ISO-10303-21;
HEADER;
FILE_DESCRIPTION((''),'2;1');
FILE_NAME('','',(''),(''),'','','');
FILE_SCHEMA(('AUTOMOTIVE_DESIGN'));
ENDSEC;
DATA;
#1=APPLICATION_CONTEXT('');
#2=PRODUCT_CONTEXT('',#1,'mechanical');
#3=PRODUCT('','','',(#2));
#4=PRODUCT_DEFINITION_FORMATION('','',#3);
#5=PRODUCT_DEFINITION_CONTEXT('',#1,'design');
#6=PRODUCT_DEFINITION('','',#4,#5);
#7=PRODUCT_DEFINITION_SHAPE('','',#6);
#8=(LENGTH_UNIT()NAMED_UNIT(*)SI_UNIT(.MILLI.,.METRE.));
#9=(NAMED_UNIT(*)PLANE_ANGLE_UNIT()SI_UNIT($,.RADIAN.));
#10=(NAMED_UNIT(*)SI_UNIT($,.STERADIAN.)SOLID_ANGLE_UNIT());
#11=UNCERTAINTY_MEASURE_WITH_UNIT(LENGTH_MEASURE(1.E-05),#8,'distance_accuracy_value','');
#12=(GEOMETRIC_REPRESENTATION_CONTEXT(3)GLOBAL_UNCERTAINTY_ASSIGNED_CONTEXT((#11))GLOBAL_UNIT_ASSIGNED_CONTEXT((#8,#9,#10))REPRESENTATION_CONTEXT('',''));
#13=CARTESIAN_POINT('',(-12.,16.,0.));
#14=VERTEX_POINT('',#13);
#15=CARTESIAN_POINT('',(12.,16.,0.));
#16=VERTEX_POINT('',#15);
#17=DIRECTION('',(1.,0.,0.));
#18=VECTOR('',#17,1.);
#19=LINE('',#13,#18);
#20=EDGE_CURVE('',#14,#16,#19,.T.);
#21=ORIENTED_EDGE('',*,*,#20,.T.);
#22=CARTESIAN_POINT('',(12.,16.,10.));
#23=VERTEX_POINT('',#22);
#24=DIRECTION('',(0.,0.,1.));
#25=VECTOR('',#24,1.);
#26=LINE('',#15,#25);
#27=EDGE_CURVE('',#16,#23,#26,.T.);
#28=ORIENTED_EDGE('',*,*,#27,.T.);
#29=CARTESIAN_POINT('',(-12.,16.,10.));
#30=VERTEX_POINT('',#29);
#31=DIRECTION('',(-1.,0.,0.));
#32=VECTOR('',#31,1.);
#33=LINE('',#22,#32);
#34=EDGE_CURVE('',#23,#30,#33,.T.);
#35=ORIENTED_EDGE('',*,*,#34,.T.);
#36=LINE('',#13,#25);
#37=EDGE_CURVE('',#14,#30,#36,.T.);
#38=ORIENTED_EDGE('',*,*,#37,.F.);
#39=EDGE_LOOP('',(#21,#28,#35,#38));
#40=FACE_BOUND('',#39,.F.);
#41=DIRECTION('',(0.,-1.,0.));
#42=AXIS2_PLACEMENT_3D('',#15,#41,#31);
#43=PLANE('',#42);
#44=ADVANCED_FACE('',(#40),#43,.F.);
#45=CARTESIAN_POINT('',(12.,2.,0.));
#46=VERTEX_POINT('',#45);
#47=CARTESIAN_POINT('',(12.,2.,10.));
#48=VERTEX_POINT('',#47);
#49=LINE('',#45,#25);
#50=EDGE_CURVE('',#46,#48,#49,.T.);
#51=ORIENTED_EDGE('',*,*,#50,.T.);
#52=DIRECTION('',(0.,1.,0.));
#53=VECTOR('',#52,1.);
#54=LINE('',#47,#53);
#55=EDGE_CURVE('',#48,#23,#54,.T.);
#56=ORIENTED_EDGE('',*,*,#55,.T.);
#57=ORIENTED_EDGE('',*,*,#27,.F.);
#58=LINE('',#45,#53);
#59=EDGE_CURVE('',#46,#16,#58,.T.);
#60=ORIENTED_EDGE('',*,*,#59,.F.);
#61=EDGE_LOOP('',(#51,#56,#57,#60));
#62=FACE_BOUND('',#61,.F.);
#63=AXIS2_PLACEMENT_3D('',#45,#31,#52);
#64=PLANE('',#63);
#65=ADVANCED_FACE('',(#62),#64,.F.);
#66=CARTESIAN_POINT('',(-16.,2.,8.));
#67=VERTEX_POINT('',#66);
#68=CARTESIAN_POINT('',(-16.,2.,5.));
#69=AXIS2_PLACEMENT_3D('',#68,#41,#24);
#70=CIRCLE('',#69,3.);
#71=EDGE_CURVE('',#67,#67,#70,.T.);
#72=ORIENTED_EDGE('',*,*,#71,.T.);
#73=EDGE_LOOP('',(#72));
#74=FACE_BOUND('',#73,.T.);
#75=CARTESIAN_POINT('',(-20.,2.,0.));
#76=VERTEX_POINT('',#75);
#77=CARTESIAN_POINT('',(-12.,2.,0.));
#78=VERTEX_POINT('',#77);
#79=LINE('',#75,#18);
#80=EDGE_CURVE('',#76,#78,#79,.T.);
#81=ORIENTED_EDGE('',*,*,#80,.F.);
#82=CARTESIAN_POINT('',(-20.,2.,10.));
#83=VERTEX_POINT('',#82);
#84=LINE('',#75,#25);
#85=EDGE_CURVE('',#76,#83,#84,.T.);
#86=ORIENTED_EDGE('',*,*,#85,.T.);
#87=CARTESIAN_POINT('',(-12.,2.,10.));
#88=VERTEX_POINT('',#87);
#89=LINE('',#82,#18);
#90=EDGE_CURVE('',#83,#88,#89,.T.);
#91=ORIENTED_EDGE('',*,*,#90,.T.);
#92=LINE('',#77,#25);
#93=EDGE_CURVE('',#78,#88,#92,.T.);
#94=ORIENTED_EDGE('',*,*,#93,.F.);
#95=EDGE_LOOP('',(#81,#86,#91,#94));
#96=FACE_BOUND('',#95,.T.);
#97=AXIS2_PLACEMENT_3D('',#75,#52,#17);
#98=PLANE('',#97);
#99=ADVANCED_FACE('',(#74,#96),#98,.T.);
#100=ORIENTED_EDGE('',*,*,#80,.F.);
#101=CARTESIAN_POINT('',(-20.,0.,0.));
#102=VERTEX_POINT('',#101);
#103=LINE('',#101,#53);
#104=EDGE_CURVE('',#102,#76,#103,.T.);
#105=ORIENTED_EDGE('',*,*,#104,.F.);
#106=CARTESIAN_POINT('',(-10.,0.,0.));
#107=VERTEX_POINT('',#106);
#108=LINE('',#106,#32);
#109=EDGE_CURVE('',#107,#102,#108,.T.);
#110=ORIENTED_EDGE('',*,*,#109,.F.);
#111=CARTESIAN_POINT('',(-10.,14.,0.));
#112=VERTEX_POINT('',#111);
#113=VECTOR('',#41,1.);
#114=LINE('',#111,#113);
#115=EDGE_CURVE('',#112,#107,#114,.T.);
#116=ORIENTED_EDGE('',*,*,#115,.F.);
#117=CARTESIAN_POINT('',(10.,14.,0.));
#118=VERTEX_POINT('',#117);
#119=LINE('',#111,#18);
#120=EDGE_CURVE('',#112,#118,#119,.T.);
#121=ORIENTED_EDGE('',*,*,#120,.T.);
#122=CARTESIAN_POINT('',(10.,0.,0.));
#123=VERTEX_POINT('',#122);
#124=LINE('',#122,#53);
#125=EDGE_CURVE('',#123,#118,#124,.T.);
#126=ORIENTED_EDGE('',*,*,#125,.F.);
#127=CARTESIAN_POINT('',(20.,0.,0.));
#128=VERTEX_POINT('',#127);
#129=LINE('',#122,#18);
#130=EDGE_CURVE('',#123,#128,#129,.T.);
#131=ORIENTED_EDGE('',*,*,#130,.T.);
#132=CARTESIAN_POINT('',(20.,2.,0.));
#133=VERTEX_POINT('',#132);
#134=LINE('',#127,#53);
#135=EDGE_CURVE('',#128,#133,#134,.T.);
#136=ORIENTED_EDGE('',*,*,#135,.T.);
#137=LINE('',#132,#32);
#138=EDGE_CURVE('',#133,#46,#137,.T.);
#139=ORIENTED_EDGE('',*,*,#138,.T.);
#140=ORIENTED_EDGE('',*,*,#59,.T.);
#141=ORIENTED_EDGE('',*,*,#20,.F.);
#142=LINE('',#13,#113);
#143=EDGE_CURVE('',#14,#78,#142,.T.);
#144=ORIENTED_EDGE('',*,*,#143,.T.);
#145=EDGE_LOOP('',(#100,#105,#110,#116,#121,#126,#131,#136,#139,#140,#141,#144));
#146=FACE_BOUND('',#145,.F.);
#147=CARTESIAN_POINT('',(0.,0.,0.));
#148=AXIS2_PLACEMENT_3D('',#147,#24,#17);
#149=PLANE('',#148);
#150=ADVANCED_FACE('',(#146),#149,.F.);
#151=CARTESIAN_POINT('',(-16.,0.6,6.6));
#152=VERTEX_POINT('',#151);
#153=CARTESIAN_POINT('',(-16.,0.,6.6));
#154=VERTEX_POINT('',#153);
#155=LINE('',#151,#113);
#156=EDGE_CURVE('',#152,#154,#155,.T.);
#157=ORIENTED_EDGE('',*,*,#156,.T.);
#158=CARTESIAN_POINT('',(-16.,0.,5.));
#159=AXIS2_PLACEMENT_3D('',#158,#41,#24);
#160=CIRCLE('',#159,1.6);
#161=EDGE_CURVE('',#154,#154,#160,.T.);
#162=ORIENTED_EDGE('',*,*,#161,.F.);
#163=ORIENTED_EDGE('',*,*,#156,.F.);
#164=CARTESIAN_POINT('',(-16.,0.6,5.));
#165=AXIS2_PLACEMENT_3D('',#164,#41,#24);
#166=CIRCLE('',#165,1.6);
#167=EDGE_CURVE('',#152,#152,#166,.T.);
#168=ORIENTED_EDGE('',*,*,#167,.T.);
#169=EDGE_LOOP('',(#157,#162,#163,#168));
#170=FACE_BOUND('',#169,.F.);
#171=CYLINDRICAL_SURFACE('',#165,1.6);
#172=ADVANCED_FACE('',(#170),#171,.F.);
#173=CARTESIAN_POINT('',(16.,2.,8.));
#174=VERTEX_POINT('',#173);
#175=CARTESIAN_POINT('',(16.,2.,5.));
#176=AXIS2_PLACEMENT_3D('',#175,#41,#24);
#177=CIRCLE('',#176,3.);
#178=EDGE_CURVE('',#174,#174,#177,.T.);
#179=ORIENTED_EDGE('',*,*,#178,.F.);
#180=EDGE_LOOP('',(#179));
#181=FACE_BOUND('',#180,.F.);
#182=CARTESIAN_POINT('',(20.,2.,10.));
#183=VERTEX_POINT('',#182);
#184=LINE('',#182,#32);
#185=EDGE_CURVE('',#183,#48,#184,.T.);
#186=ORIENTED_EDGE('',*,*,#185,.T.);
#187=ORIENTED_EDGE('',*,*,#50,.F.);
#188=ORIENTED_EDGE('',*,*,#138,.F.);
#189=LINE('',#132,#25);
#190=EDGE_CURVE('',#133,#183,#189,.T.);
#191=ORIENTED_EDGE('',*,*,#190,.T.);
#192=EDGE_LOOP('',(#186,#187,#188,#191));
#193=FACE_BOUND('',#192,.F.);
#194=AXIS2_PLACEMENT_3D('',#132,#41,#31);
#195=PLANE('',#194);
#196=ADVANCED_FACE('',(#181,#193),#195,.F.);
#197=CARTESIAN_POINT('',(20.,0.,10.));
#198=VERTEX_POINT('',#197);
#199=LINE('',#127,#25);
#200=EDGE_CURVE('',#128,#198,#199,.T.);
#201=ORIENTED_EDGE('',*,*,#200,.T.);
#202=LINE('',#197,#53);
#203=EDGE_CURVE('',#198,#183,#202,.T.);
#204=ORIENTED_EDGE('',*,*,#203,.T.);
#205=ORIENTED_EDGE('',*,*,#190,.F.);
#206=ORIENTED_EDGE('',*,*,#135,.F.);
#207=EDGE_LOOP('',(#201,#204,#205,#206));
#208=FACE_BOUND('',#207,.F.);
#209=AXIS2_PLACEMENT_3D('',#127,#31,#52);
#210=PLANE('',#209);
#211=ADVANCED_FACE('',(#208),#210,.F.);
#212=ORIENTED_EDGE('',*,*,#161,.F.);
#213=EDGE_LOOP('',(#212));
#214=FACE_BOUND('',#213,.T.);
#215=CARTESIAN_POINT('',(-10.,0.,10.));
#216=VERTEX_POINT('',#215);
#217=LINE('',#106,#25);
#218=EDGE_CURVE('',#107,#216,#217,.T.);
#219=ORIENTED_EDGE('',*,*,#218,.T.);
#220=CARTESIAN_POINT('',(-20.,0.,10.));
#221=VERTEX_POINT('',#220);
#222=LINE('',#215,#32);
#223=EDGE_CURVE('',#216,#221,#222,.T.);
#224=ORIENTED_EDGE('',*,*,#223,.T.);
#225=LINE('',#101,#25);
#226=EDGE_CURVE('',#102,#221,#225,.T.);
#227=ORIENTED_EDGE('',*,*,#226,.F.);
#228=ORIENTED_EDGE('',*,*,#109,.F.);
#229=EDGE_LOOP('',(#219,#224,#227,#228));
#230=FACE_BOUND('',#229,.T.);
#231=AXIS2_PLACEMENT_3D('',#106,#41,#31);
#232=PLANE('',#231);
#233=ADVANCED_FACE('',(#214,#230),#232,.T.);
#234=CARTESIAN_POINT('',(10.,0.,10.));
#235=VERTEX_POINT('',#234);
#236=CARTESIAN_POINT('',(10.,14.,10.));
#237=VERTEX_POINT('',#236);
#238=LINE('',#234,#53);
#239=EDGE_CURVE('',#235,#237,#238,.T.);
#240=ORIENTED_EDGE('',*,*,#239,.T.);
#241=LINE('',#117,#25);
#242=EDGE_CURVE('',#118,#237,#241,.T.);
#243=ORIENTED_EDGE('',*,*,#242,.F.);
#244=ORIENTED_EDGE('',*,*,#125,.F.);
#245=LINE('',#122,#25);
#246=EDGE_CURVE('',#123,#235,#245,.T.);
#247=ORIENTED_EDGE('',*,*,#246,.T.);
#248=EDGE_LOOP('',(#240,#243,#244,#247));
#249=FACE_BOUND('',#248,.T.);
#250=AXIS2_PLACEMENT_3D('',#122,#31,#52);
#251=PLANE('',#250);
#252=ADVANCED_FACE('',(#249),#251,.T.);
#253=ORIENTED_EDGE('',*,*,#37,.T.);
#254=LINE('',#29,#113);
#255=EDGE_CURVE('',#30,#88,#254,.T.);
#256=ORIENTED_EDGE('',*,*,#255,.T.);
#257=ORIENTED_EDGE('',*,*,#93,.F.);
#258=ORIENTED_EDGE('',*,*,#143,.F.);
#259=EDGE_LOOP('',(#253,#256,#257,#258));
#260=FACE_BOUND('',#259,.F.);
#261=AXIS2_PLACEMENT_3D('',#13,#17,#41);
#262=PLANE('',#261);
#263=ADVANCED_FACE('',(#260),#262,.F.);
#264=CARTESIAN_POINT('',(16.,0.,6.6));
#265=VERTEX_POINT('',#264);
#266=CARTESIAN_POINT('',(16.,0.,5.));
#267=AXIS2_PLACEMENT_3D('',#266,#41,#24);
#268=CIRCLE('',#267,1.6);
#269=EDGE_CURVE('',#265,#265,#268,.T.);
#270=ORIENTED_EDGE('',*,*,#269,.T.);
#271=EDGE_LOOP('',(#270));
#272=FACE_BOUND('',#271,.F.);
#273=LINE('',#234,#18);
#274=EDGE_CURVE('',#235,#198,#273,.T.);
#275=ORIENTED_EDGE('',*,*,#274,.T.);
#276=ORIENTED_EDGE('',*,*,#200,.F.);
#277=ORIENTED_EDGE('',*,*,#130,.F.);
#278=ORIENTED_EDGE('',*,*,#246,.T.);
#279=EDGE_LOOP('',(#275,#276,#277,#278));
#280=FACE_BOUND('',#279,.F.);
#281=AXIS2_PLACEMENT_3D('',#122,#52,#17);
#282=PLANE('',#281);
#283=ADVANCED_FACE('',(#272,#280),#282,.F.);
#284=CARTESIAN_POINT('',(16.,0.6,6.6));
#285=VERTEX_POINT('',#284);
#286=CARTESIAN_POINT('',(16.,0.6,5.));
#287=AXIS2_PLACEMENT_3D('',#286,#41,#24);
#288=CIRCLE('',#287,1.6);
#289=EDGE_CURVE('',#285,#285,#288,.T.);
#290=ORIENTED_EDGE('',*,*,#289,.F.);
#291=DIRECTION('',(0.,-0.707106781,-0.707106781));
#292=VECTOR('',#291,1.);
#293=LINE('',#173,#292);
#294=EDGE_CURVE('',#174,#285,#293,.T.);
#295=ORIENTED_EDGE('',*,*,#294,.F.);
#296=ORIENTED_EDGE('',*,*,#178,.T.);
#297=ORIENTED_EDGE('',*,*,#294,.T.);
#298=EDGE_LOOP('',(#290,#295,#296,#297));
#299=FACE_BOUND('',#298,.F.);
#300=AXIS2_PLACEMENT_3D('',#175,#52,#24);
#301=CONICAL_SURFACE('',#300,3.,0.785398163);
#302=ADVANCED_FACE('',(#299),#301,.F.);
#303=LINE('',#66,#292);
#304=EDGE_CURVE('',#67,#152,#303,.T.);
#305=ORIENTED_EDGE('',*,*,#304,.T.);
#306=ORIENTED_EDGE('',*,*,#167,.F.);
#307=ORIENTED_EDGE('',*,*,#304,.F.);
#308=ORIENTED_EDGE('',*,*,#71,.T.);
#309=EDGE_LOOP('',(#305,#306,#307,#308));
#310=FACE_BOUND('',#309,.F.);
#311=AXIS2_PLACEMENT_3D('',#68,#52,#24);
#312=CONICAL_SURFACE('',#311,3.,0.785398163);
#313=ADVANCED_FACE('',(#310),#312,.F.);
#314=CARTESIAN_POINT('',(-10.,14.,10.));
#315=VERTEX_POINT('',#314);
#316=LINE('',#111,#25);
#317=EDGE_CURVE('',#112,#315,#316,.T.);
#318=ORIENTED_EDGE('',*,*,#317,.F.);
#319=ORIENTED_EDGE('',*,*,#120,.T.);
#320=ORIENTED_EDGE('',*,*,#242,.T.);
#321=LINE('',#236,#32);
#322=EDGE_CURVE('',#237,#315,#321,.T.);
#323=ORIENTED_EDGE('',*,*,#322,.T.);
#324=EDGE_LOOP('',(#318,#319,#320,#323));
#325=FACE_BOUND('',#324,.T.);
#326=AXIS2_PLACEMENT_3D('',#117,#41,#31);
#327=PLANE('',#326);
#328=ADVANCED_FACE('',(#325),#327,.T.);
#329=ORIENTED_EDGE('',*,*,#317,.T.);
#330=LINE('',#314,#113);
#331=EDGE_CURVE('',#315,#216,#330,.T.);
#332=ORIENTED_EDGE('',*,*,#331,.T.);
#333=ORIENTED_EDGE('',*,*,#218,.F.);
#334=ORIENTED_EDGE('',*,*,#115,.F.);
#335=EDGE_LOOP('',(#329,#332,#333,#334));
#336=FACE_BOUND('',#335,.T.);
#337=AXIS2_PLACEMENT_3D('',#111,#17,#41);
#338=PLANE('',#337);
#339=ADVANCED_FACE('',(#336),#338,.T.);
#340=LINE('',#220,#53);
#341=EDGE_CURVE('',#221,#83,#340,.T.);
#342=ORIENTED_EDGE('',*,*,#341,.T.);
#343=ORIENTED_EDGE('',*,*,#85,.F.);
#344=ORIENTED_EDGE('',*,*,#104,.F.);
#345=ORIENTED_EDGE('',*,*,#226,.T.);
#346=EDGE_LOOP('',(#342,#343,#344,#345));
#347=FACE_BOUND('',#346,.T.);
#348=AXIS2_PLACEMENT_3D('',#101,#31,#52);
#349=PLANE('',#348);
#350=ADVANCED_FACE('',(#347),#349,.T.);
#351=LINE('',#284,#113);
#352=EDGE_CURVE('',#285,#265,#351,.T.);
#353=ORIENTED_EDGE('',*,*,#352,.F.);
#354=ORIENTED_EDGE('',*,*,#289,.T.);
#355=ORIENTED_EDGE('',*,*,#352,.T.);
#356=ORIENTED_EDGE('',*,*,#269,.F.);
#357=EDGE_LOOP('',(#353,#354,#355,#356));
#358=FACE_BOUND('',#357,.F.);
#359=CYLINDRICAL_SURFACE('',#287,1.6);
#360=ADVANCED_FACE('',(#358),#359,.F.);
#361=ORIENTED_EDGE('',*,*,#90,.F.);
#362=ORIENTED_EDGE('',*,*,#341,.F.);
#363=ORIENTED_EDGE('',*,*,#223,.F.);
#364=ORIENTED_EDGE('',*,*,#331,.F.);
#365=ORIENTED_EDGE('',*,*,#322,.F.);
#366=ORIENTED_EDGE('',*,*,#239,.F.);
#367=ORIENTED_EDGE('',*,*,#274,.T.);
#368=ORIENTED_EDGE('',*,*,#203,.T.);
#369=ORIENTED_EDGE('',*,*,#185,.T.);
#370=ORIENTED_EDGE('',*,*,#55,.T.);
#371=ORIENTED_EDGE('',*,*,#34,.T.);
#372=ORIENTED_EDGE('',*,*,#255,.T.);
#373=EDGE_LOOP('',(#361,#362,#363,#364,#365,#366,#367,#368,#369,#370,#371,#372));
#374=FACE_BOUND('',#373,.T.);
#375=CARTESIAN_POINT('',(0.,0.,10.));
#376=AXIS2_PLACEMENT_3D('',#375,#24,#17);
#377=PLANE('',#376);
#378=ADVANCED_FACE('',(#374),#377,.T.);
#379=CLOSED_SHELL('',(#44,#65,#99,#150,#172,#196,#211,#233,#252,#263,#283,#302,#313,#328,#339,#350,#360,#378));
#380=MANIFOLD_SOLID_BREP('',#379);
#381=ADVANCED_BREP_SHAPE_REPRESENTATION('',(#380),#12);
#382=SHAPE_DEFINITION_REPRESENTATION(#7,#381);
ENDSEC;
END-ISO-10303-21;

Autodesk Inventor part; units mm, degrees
ref_plane "YZ Plane" through (0, 0, 0) normal (1, 0, 0) x (0, 1, 0)
ref_plane "XZ Plane" through (0, 0, 0) normal (0, 1, 0) x (-1, 0, 0)
ref_plane "XY Plane" through (0, 0, 0) normal (0, 0, 1) x (1, 0, 0)
sketch "Sketch1" plane through (0, 0, 0) normal (0, 0, 1) x (1, 0, 0)
  line L0 (-10, 0) -> (10, 0) construction
  line L1 (10, 0) -> (10, 14)
  line L2 (10, 14) -> (-10, 14)
  line L3 (-10, 14) -> (-10, 0)
  line L4 (-12, -8.7582) -> (12, -8.7582) construction
  line L5 (12, -8.7582) -> (12, 2) construction
  line L6 (12, 16) -> (-12, 16)
  line L7 (-12, 16) -> (-12, 2)
  line L8 (-10, 0) -> (-20, 0)
  line L9 (-20, 0) -> (-20, 2)
  line L10 (-20, 2) -> (-12, 2)
  line L11 (-12, 2) -> (-12, -8.7582) construction
  line L12 (0, 16) -> (0, -8.7582)
  line L13 (10, 0) -> (20, 0)
  line L14 (20, 0) -> (20, 2)
  line L15 (20, 2) -> (12, 2)
  line L16 (12, 2) -> (12, 16)
  point P0 (0, 0)
  point P1 (0, 0)
  dimension "d0" = 14
  dimension "d1" = 20
  dimension "d2" = 2
  dimension "d3" = 2
  dimension "d4" = 10
  dimension "d5" = 2
  dimension "d6" = 2
extrude "Extrusion1" add sketch "Sketch1" along normal blind 10
sketch "Sketch2" plane through (-20, 2, 0) normal (0, 1, 0) x (1, 0, 0)
  line L0 (8, 0) -> (0, 0) construction
  line L1 (0, 0) -> (0, -10) construction
  line L2 (8, -10) -> (0, -10) construction
  line L3 (8, 0) -> (8, -10) construction
  line L4 (40, 0) -> (32, 0) construction
  line L5 (32, 0) -> (32, -10) construction
  line L6 (40, -10) -> (32, -10) construction
  line L7 (40, 0) -> (40, -10) construction
  line L8 (8, -10) -> (0, 0) construction
  line L9 (0, -10) -> (8, 0) construction
  line L10 (40, -10) -> (32, 0) construction
  line L11 (32, -10) -> (40, 0) construction
  point P0 (20, 0)
  point P1 (4, -5)
  point P2 (36, -5)
hole "Hole1" at (-16, 2, 5) at (16, 2, 5) direction (0, -1, 0) diameter 3.2 end through all countersink diameter 6 countersink angle 90
properties part number "switchHolder"
